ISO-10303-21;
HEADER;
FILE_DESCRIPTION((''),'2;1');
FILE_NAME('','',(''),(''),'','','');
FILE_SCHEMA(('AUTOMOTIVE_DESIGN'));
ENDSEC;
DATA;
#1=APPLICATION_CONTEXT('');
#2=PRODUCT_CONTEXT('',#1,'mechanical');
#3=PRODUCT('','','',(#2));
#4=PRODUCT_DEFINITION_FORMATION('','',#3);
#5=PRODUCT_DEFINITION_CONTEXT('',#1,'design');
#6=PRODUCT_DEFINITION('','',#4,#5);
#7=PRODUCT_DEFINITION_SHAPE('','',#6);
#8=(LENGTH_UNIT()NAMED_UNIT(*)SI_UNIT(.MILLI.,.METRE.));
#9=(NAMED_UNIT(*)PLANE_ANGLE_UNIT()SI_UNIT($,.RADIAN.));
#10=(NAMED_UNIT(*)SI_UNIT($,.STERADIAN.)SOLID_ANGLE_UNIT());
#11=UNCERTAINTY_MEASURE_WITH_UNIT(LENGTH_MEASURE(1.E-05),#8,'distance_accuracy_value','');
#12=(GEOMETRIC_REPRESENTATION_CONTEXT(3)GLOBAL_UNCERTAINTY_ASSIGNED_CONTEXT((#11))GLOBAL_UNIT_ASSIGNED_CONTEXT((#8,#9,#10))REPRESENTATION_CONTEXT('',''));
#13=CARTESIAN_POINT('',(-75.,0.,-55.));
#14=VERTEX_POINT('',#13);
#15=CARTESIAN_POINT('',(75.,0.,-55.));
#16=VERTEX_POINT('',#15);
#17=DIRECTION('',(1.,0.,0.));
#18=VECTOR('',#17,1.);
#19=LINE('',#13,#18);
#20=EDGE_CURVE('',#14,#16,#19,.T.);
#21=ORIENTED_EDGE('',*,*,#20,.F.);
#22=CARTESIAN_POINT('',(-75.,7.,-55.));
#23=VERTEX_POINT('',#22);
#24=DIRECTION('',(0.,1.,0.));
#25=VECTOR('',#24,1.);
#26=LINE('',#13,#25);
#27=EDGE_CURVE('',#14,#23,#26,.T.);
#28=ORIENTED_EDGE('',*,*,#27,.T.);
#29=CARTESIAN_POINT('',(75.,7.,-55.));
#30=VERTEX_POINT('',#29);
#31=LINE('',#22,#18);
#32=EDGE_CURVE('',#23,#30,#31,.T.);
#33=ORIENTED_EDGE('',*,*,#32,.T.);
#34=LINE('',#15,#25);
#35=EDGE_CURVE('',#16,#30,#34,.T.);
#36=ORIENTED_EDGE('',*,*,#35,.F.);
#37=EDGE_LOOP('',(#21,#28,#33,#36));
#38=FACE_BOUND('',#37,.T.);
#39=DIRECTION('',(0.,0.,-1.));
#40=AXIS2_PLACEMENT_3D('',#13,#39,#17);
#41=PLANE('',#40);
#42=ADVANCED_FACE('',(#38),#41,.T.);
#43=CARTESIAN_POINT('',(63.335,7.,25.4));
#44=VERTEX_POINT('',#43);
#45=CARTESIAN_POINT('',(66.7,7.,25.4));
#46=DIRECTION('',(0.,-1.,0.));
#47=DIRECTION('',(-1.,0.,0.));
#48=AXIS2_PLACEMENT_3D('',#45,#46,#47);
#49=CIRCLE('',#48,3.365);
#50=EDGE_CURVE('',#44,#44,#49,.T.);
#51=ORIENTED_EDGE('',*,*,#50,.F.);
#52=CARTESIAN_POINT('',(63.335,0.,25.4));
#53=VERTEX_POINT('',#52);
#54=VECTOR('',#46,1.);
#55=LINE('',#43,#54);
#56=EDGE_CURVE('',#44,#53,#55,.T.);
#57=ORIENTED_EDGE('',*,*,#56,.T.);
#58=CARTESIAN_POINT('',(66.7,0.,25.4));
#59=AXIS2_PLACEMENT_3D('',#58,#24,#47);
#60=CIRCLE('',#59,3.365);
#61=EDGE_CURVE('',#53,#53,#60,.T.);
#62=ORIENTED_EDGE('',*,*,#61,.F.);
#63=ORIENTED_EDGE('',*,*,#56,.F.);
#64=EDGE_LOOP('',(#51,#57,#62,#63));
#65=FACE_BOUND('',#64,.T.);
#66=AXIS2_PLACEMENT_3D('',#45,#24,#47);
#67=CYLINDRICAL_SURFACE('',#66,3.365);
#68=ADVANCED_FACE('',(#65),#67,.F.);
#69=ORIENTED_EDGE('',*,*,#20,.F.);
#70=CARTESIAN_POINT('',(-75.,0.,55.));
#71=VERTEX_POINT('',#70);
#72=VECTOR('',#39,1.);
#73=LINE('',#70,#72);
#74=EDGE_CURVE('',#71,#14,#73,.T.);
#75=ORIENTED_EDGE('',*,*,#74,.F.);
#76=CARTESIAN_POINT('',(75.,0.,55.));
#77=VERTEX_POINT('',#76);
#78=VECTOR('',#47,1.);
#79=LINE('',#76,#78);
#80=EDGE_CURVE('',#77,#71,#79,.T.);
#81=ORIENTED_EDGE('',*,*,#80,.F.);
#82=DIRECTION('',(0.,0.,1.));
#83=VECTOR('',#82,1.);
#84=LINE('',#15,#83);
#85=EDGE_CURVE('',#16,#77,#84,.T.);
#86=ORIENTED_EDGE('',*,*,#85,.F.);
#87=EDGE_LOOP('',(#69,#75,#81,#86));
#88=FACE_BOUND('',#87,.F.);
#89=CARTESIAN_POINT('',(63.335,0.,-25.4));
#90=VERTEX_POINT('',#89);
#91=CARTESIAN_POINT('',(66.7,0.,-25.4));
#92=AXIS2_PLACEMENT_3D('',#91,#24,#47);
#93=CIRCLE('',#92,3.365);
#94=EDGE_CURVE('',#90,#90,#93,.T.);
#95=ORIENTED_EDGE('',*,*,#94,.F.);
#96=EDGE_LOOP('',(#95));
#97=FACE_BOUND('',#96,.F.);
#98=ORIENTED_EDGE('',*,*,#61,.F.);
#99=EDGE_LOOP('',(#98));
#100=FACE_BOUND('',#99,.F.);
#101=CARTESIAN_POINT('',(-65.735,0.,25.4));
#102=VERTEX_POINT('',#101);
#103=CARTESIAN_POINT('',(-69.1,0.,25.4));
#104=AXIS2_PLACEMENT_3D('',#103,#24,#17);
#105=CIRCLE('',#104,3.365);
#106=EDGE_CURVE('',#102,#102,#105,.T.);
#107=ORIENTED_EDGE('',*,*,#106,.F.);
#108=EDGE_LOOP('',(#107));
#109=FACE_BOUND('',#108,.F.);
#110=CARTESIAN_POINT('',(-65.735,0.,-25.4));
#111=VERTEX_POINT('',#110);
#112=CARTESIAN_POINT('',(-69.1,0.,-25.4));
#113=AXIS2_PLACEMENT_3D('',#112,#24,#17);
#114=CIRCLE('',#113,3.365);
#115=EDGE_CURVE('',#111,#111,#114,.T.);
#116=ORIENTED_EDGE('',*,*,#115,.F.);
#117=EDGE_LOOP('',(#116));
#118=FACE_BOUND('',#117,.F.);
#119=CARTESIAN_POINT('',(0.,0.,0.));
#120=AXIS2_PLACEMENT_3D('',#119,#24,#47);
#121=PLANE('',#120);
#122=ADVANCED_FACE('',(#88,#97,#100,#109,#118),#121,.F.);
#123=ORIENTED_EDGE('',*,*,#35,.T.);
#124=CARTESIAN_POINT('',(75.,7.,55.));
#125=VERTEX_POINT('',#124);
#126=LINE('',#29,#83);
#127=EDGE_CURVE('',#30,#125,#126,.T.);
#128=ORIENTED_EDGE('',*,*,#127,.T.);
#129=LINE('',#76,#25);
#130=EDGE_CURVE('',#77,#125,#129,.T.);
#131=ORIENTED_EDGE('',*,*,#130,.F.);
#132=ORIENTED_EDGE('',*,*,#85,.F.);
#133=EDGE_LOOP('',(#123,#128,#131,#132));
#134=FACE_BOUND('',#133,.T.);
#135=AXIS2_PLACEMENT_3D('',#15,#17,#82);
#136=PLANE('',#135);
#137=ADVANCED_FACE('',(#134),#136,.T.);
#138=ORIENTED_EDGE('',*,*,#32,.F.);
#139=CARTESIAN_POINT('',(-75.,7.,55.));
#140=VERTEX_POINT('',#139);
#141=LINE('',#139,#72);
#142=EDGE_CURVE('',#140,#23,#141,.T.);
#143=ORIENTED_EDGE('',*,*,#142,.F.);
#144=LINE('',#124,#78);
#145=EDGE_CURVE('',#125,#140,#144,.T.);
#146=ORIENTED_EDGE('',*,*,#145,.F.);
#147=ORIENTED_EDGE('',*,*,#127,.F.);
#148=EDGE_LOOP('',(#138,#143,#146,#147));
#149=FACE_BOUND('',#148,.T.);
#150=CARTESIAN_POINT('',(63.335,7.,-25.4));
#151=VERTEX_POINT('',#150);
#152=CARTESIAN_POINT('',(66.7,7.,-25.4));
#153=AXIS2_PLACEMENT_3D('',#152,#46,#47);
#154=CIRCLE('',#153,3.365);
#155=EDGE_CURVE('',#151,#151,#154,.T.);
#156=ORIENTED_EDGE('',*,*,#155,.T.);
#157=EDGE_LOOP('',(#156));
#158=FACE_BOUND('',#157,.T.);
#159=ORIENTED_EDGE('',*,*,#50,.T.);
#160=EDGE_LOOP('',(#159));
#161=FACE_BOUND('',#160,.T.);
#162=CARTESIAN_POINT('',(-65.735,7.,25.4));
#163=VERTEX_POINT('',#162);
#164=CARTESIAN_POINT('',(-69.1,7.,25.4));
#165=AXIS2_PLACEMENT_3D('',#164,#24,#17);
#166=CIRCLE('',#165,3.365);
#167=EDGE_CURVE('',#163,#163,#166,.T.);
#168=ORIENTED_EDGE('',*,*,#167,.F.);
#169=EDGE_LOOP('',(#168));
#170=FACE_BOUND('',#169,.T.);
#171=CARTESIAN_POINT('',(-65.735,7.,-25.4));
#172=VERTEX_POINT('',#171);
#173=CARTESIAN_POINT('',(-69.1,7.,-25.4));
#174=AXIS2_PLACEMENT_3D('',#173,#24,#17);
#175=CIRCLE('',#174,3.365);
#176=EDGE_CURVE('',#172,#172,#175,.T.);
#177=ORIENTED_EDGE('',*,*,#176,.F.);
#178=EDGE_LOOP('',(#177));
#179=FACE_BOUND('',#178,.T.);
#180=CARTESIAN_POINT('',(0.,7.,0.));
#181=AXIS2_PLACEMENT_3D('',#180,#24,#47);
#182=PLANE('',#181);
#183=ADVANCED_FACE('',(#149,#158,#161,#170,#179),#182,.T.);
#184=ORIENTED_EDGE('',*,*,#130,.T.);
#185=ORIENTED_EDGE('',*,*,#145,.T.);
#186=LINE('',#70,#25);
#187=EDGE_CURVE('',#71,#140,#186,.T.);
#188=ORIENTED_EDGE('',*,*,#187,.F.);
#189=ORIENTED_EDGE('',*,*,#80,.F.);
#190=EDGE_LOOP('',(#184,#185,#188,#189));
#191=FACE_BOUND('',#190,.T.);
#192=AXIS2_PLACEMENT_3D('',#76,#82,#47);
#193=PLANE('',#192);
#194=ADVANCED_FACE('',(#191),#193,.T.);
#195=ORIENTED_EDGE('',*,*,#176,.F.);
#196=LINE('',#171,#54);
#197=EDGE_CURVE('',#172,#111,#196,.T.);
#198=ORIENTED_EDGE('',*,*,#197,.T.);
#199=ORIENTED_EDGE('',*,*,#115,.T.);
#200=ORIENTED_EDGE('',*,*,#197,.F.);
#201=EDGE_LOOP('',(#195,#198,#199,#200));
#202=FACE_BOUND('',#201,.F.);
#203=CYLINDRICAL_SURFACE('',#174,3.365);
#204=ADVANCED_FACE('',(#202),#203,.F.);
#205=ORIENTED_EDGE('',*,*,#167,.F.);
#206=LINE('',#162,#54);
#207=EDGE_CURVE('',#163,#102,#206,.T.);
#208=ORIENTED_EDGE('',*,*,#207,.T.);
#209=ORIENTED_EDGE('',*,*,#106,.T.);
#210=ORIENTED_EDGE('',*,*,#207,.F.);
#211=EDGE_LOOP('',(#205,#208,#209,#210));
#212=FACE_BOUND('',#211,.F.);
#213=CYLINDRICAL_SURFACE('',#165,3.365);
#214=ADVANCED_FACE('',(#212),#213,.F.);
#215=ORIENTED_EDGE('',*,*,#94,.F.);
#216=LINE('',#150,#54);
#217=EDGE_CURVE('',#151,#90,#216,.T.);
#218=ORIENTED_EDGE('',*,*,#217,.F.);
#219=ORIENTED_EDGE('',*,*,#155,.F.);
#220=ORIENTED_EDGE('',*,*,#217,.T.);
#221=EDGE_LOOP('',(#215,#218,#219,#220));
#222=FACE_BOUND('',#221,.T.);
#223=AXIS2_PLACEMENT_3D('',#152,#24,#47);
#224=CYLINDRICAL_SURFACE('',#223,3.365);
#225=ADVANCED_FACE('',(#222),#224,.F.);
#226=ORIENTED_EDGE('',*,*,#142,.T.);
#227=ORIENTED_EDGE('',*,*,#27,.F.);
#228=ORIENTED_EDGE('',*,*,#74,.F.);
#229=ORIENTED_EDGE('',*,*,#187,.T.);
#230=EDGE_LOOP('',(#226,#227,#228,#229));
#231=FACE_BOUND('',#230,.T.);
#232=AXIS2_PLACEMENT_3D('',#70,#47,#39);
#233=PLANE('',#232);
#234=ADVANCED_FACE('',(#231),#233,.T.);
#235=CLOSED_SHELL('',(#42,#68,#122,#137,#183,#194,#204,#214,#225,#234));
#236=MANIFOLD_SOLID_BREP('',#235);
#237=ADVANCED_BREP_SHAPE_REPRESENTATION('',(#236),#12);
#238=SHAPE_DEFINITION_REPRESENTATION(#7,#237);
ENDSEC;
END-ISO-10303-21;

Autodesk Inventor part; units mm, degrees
ref_plane "YZ Plane" through (0, 0, 0) normal (1, 0, 0) x (0, 1, 0)
ref_plane "XZ Plane" through (0, 0, 0) normal (0, 1, 0) x (-1, 0, 0)
ref_plane "XY Plane" through (0, 0, 0) normal (0, 0, 1) x (1, 0, 0)
sketch "Sketch1" plane through (0, 0, 0) normal (0, 1, 0) x (-1, 0, 0)
  line L0 (-75, 55) -> (75, 55)
  line L1 (75, 55) -> (75, -55)
  line L2 (75, -55) -> (-75, -55)
  line L3 (-75, -55) -> (-75, 55)
  line L4 (-75, 55) -> (75, -55) construction
  line L5 (75, 55) -> (-75, -55) construction
  point P0 (0, 0)
  dimension "d0" = 150
  dimension "d1" = 110
extrude "Extrusion1" add sketch "Sketch1" along normal blind 7
sketch "Sketch9" plane through (0, 7, 0) normal (0, 1, 0) x (1, 0, 0)
  line L0 (-75, 55) -> (-75, -55) construction
  line L1 (-75, -55) -> (75, -55) construction
  line L2 (-62, 57.15) -> (-62, -57.15) construction
  line L3 (75, 55) -> (-75, 55) construction
  line L4 (75, 55) -> (-75, 55) construction
  line L5 (75, -55) -> (75, 55) construction
  line L6 (62, -57.15) -> (62, 57.15) construction
  line L7 (-75, -55) -> (75, -55) construction
  line L8 (-75, -57.15) -> (-62, -57.15) construction
  line L9 (-69.1, 0) -> (-69.1, -25.4) construction
  line L10 (-69.1, 0) -> (-69.1, 25.4) construction
  circle A0 centre (-69.1, 25.4) radius 3.365
  circle A1 centre (-69.1, -25.4) radius 3.365
  point P0 (0, 0)
  point P1 (54, 57.15)
  point P2 (54, -57.15)
  point P3 (-54, -57.15)
  point P4 (-54, 57.15)
  dimension "d36" = 25.4
  dimension "d37" = 25.4
  dimension "d38" = 6.73
  dimension "d39" = 6.73
extrude "Extrusion9" cut sketch "Sketch9" against normal blind 10
ref_plane "Work Plane2" through (-1.2, 0, 55) normal (1, 0, 0) x (0, 0, -1)
mirror "Mirror2" about plane through (-1.2, 0, 55) normal (1, 0, 0) of "Extrusion9"
properties part number "cooling plate"
